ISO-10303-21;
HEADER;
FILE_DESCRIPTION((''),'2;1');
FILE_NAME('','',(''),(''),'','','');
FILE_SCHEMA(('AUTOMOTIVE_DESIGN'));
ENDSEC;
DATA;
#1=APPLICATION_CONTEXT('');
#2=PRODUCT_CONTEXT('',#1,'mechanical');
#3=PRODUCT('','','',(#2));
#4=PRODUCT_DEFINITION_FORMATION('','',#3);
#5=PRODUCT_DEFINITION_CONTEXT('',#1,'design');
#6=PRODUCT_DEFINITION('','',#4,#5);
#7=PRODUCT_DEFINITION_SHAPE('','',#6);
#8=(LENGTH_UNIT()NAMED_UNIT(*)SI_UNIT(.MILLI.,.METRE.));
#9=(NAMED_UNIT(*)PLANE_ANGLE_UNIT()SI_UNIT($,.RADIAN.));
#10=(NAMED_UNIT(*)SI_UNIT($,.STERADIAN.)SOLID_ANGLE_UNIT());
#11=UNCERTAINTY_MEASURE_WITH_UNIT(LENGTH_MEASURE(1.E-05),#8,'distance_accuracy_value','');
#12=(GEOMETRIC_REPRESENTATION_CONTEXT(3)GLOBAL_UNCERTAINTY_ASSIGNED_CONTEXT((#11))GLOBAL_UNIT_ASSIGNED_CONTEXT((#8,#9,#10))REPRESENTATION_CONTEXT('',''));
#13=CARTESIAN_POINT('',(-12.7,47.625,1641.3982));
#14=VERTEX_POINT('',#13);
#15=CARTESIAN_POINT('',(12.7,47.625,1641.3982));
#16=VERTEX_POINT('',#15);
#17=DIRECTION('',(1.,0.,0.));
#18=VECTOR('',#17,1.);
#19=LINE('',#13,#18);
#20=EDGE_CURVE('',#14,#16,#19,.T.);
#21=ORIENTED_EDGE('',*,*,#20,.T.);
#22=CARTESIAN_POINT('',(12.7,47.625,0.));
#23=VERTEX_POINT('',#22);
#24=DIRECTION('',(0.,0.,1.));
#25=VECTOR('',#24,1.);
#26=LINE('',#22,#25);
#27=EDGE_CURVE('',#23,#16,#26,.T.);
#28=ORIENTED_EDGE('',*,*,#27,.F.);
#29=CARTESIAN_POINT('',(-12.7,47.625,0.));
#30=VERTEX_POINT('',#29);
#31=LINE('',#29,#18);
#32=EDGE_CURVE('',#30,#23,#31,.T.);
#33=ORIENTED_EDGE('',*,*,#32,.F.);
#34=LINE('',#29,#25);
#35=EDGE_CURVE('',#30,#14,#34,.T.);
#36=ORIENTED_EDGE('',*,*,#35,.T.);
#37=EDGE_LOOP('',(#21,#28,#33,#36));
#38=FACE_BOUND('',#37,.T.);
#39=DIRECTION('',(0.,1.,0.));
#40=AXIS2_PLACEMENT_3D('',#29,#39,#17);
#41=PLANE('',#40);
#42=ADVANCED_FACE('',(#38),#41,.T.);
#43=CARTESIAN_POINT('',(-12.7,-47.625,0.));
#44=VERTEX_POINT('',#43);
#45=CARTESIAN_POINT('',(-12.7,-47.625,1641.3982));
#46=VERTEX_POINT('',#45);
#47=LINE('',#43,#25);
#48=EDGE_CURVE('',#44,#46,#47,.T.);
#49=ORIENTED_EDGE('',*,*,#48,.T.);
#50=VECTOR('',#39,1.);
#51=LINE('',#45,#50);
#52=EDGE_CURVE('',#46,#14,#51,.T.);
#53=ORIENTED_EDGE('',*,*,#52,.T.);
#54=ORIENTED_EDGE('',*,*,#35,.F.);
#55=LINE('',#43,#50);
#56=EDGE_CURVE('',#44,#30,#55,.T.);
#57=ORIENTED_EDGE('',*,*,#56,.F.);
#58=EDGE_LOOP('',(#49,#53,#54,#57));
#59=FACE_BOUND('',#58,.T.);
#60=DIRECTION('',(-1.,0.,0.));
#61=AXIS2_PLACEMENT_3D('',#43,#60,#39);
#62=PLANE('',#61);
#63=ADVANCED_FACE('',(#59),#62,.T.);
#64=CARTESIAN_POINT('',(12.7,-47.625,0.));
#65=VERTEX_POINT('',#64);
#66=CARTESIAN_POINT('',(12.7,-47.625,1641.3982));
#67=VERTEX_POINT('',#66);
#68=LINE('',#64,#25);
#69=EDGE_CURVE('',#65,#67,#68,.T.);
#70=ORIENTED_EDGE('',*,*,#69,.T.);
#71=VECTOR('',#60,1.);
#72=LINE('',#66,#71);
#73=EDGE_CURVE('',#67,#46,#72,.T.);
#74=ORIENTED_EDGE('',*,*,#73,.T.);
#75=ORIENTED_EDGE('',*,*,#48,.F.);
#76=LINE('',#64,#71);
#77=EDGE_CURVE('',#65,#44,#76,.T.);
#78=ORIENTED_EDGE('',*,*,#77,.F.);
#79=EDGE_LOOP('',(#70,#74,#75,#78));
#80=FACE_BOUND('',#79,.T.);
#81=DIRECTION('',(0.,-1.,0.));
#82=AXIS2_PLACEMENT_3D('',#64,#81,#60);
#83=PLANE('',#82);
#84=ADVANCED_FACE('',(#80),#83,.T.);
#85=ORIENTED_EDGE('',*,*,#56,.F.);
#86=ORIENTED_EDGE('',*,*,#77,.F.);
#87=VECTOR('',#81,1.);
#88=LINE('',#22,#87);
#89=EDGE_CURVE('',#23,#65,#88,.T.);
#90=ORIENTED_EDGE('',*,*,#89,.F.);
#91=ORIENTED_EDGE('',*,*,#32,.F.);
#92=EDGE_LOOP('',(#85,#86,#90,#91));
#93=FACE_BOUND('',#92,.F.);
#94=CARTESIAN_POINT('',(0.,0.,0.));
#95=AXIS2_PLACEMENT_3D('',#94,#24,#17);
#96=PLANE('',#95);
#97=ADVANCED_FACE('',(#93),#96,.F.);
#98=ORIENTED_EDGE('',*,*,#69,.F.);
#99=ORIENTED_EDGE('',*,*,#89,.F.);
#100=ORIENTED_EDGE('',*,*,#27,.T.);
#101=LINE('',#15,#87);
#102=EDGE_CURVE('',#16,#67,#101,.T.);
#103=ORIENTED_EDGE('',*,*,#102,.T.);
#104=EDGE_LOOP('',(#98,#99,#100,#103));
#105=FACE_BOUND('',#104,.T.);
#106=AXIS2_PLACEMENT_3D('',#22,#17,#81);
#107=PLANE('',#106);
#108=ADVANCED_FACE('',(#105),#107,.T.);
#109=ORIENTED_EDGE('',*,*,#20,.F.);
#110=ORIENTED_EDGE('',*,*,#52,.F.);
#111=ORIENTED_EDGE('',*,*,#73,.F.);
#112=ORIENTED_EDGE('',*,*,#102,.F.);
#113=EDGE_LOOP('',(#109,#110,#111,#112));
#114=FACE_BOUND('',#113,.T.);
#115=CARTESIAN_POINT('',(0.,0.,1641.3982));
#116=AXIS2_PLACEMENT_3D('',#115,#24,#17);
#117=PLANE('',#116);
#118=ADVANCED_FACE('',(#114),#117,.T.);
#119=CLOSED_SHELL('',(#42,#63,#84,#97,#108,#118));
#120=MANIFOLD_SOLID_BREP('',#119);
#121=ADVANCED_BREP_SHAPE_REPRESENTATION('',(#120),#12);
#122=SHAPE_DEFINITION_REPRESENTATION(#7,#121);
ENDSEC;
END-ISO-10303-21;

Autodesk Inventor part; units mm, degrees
ref_plane "YZ Plane" through (0, 0, 0) normal (1, 0, 0) x (0, 1, 0)
ref_plane "Start Plane" through (0, 0, 0) normal (0, 0, 1) x (1, 0, 0)
ref_plane "End Plane" through (0, 0, 1641.3982) normal (0, 0, 1) x (1, 0, 0)
sketch "Sketch" plane through (0, 0, 0) normal (0, 0, 1) x (1, 0, 0)
  line L0 (12.7, -47.625) -> (-12.7, -47.625)
  line L1 (-12.7, -47.625) -> (-12.7, 47.625)
  line L2 (-12.7, 47.625) -> (12.7, 47.625)
  line L3 (12.7, 47.625) -> (12.7, -47.625)
  line L4 (-6, 0) -> (8, 0) construction
  line L5 (0, -30) -> (0, 40) construction
  line L6 (0, 66.675) -> (0, -66.675) construction
  line L7 (-17.78, 0) -> (17.78, 0) construction
  dimension "d0" = 95.25
  dimension "d1" = 25.4
  dimension "d4" = 12.7
  dimension "d5" = 47.625
extrude "Body" add sketch "Sketch" along normal up to surface (1641.3982 mm away) from surface at 0
sketch "Sketch3" plane through (0, 0, 0) normal (0, 0, 1) x (1, 0, 0)
  line L0 (0, 0) -> (10, 0)
ref_plane "Work Plane3" through (0, 0, 0) normal (0, -1, 0) x (1, 0, 0)
sketch "Sketch4" plane through (0, 0, 0) normal (0, -1, 0) x (1, 0, 0)
  line L0 (-2, 0) -> (12, 0) projected
  line L1 (-2, 1641.3982) -> (12, 1641.3982) projected
  dimension "d9" = 1641.3982
equation "\"d0\" = G_W"
equation "\"d1\" = G_H"
equation "\"d4\" = 0.5 * d1"
equation "\"d5\" = 0.5 * d0"
equation "\"d2\" = G_L"
equation "\"G_W\" = 95.25"
equation "\"G_H\" = 25.4"
equation "\"G_L\" = d9"
equation "\"G_OFFSET_START\" = 0"
equation "\"G_OFFSET_END\" = 0"
equation "\"d7\" = G_OFFSET_END + B_L"
equation "\"B_L\" = 1641.39823"
properties part number "AISC - 3 3/4x1 - 64.622" material "Steel, Mild"
